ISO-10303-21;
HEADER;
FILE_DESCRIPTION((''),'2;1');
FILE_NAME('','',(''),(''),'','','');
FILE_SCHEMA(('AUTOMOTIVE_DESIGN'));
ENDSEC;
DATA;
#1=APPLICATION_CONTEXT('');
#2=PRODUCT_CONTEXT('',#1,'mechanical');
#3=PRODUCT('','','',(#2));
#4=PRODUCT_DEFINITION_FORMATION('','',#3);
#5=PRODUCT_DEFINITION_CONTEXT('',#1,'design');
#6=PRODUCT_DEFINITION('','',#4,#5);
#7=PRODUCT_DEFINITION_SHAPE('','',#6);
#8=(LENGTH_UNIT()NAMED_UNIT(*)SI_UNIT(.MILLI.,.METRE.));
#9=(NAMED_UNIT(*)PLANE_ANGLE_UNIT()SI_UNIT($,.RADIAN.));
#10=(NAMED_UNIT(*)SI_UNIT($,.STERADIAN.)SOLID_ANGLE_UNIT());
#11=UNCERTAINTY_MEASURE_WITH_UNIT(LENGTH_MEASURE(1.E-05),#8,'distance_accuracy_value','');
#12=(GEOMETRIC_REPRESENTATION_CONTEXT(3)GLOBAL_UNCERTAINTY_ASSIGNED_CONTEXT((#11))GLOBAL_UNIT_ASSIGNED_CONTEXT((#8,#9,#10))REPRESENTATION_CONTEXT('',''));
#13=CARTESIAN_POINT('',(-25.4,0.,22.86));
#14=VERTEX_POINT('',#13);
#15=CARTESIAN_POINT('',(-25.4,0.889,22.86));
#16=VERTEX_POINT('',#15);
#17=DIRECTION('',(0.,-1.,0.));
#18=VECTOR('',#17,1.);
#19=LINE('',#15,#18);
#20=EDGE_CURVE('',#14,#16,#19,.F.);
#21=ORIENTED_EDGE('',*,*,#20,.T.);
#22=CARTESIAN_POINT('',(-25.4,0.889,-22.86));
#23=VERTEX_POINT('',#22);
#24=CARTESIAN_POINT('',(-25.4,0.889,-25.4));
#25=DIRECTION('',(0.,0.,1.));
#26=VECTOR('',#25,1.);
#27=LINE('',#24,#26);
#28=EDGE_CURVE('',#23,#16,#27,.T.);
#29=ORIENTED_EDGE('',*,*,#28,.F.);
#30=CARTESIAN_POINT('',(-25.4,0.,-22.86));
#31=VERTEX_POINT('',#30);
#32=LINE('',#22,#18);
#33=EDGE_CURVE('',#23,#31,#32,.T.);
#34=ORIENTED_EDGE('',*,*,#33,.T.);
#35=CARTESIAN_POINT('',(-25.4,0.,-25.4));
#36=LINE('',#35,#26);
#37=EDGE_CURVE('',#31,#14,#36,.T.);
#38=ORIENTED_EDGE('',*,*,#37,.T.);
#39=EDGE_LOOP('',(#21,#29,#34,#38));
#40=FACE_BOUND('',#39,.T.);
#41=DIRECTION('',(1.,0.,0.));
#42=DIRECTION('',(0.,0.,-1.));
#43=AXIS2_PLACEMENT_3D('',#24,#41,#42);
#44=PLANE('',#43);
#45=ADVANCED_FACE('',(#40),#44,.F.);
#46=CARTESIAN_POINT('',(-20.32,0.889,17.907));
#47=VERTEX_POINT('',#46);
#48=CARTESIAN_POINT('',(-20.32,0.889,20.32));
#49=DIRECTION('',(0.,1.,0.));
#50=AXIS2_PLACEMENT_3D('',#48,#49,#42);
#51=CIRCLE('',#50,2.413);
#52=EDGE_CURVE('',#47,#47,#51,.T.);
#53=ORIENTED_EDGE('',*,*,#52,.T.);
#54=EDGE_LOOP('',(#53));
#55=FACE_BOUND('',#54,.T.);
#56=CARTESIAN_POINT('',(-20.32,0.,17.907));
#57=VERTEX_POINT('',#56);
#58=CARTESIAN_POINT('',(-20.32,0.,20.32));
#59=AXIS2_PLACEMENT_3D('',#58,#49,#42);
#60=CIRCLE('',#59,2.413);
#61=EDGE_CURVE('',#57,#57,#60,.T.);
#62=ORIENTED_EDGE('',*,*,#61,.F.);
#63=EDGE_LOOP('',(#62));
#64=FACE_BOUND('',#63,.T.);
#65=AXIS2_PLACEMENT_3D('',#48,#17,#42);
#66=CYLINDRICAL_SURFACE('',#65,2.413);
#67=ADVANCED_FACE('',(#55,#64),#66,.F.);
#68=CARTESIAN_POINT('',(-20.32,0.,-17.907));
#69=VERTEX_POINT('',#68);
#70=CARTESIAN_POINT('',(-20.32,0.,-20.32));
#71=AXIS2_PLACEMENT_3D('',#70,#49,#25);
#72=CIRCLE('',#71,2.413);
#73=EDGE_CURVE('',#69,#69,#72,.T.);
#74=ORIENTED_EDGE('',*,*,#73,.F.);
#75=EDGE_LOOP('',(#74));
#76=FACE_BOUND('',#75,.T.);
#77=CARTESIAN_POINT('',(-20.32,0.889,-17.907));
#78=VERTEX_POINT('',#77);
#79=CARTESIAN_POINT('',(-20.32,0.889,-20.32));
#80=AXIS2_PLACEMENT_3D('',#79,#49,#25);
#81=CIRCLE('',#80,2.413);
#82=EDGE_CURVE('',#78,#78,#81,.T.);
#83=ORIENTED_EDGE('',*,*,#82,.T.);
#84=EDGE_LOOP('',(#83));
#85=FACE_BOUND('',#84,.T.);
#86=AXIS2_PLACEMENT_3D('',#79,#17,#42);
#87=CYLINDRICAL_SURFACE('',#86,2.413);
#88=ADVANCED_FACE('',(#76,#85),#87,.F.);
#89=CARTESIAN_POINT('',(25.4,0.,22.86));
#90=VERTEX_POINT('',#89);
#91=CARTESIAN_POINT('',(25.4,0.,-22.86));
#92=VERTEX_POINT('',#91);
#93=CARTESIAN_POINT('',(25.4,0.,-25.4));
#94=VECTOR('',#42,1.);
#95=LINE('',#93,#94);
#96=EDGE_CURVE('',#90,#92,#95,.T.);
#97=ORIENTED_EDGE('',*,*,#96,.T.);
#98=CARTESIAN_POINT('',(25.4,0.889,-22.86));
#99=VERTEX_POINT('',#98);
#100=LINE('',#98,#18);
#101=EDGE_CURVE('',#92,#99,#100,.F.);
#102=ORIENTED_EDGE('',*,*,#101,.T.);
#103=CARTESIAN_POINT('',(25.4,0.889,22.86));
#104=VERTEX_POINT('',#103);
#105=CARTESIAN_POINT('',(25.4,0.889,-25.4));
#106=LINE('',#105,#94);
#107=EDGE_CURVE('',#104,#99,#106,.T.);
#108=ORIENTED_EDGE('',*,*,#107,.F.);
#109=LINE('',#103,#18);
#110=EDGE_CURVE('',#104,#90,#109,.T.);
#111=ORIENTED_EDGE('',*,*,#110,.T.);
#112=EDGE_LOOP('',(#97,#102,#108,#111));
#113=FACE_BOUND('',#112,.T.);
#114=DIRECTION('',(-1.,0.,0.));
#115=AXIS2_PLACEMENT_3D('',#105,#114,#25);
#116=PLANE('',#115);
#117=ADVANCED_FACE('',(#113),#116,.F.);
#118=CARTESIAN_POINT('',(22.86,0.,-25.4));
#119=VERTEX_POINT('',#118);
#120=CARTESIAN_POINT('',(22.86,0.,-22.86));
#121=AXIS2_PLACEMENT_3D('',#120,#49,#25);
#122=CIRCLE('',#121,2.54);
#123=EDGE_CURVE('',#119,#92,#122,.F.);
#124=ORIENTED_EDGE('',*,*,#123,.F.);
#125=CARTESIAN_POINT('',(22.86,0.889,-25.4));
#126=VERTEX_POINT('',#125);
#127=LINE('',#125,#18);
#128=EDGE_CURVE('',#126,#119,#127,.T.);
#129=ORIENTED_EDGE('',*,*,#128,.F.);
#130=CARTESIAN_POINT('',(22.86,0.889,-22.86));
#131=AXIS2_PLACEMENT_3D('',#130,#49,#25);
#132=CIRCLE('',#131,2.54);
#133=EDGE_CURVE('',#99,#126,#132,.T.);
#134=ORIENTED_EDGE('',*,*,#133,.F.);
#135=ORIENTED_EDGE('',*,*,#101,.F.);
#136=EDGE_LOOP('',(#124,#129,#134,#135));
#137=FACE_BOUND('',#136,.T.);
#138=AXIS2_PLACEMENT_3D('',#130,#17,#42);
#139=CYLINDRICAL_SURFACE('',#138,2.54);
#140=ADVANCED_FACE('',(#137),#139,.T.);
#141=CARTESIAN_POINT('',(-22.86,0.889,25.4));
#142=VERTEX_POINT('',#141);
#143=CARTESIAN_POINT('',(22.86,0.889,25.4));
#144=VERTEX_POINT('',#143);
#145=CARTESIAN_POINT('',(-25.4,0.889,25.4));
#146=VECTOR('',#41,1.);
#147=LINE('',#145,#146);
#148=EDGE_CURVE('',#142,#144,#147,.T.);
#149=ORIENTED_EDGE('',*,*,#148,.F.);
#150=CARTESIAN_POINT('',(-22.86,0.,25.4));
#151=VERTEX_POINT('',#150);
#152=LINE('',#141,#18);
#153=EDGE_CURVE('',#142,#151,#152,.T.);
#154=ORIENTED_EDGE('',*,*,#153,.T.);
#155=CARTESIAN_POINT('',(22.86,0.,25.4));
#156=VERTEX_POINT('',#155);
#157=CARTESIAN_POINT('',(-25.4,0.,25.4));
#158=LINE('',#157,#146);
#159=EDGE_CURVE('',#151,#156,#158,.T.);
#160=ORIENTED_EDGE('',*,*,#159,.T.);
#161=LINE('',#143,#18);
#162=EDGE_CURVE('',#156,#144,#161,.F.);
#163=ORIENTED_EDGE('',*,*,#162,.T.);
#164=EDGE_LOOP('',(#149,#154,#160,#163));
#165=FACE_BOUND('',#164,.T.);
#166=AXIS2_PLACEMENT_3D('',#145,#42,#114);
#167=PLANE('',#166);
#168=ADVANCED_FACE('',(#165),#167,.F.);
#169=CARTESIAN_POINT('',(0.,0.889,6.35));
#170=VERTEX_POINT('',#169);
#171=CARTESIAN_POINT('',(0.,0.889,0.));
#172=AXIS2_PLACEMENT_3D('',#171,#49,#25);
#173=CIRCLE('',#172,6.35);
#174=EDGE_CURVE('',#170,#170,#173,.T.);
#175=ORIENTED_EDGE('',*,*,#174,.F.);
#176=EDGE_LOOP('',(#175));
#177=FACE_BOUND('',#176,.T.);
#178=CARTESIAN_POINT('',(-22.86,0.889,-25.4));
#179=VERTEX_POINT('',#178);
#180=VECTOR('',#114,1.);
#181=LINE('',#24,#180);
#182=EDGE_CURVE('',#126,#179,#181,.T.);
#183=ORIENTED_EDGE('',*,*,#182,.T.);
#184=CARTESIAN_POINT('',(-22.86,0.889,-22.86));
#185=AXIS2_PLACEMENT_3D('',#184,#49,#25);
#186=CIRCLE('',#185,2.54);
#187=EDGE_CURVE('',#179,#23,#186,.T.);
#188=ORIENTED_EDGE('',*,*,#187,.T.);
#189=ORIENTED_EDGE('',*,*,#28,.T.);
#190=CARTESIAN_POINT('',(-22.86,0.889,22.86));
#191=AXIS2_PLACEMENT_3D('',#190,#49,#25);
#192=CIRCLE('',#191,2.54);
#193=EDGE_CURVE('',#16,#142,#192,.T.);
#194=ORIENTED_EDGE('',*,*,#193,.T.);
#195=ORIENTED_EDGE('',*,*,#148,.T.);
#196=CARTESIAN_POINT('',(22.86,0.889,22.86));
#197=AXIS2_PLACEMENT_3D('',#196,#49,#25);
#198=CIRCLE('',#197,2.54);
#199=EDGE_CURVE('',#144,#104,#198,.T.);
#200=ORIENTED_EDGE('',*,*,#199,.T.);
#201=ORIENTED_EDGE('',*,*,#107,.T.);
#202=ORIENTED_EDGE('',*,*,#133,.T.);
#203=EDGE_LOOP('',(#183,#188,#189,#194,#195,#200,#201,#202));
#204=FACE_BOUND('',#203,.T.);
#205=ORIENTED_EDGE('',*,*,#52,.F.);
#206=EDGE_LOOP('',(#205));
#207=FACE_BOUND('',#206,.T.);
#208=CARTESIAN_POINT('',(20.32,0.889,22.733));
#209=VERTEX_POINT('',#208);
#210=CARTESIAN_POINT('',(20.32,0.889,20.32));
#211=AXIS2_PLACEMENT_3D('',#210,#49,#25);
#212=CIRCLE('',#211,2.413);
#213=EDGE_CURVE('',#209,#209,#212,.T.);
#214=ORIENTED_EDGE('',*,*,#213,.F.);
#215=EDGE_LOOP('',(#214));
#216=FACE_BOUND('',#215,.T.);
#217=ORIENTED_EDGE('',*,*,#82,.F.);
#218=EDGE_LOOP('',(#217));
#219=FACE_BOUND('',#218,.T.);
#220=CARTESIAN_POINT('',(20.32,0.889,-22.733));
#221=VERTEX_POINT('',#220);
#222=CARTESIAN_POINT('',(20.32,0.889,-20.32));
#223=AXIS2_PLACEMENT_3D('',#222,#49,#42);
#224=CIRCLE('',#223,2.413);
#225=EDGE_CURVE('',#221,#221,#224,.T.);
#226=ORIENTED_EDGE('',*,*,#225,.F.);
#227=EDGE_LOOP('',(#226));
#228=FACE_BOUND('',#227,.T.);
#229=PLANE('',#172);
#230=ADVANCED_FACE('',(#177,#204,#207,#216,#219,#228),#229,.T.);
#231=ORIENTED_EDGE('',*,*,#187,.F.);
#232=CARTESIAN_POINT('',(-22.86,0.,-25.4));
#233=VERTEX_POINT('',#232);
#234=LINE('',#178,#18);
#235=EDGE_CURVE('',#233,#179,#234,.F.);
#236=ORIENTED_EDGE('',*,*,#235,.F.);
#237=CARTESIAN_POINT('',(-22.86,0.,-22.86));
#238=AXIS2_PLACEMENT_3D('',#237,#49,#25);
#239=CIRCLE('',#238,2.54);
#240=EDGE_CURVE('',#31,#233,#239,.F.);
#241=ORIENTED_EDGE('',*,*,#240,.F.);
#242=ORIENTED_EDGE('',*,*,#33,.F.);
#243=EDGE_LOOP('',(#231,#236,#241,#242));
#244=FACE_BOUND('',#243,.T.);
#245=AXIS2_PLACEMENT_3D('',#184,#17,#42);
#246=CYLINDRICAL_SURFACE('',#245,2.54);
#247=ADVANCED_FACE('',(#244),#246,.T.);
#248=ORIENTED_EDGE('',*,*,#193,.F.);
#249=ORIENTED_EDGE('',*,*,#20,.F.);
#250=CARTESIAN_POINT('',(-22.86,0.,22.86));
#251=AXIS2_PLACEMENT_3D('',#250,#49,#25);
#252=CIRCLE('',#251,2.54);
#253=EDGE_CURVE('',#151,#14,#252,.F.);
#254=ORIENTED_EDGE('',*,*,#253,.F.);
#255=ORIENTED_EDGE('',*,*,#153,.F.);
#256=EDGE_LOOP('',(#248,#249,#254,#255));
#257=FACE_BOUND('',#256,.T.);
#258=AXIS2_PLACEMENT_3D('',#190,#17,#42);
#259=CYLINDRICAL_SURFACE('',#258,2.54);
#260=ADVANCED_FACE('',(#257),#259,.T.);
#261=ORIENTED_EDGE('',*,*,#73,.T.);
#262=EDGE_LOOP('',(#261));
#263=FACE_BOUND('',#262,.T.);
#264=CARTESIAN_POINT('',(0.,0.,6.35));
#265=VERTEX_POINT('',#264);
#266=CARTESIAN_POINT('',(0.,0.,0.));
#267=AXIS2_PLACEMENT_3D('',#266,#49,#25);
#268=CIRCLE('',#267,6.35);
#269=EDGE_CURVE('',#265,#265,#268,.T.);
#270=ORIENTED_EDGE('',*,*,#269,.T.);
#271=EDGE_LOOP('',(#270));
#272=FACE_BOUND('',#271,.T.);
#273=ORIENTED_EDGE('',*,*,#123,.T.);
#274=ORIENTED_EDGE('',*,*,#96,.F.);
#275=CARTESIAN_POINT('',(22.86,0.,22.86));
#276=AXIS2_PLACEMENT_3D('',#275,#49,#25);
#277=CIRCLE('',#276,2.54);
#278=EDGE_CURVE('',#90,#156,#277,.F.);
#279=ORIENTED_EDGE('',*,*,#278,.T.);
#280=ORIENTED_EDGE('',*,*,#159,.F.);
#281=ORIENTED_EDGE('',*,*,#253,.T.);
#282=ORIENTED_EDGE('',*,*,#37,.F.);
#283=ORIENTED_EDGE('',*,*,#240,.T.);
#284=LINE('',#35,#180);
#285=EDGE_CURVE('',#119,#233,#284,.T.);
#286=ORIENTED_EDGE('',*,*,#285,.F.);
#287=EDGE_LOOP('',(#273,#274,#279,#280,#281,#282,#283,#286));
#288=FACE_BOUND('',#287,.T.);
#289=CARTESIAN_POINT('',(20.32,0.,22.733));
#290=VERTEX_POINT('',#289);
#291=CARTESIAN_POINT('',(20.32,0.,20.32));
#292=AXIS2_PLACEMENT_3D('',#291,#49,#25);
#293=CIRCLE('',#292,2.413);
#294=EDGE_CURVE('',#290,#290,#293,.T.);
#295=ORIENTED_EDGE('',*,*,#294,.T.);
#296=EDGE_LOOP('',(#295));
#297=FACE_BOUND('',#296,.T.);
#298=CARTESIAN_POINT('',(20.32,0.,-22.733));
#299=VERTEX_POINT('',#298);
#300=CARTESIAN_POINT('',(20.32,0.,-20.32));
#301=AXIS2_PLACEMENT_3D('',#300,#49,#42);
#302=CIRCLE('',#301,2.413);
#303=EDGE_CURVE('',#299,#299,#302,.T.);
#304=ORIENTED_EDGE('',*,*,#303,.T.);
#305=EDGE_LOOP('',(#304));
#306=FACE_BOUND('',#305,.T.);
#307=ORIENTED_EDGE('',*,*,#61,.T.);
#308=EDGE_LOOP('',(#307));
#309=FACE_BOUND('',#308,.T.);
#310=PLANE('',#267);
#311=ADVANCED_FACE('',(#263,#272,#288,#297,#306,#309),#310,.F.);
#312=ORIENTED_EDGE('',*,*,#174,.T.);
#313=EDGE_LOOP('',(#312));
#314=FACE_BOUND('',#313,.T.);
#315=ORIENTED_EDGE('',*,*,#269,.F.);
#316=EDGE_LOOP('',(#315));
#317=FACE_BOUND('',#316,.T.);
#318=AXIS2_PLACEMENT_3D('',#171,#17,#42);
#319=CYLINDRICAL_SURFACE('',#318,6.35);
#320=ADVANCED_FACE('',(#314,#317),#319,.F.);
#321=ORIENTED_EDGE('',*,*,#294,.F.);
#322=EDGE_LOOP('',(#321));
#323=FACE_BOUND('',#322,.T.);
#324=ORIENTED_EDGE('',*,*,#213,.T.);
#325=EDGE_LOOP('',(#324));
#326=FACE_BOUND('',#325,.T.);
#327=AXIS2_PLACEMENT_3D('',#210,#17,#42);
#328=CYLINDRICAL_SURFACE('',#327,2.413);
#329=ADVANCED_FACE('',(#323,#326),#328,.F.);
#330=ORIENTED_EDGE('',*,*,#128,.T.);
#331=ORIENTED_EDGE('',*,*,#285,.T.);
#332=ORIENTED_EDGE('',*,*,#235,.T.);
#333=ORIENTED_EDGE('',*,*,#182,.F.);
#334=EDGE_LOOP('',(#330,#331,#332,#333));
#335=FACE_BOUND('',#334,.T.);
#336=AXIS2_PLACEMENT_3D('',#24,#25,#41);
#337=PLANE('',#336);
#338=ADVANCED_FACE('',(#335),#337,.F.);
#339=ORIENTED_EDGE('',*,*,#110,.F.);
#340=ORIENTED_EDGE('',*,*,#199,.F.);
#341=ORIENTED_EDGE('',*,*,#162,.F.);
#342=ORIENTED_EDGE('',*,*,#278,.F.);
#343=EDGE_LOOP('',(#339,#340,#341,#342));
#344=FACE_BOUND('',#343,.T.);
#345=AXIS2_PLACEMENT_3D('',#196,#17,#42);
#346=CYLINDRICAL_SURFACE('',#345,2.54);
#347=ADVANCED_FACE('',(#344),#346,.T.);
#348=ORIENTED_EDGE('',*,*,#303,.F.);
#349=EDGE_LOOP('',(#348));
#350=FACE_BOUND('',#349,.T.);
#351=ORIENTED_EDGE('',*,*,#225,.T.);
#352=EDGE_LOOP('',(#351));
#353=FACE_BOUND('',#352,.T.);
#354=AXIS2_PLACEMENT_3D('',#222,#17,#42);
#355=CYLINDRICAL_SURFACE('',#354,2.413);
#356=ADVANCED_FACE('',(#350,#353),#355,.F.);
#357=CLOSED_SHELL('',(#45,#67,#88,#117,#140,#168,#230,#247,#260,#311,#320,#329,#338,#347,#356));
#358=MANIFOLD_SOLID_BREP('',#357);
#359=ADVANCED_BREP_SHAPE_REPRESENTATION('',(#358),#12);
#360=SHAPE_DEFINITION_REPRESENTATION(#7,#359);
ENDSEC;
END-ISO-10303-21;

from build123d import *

# Parameters (mm, degrees)
SKETCH1_W           = 50.8
SKETCH1_H           = 50.8
SKETCH1_R           = 6.35
SKETCH1_R_2         = 2.413
BOSS_EXTRUDE1_DEPTH = 0.889
FILLET1_R           = 2.54


with BuildPart() as part:
    # Sketch1 → Boss-Extrude1 (new body)
    with BuildSketch(Plane(origin=(0, 0, 0), x_dir=(1, 0, 0), z_dir=(0, 1, 0))):
        Rectangle(SKETCH1_W, SKETCH1_H)
        Circle(SKETCH1_R, mode=Mode.SUBTRACT)
        with Locations((-20.32, 20.32)):
            Circle(SKETCH1_R_2, mode=Mode.SUBTRACT)
        with Locations((-20.32, -20.32)):
            Circle(SKETCH1_R_2, mode=Mode.SUBTRACT)
        with Locations((20.32, -20.32)):
            Circle(SKETCH1_R_2, mode=Mode.SUBTRACT)
        with Locations((20.32, 20.32)):
            Circle(SKETCH1_R_2, mode=Mode.SUBTRACT)
    extrude(amount=BOSS_EXTRUDE1_DEPTH)

    # Fillet1
    fillet1_edges = [part.edges().sort_by_distance(p)[0] for p in [
        (-25.4, 0.4445, -25.4),
        (25.4, 0.4445, -25.4),
        (25.4, 0.4445, 25.4),
        (-25.4, 0.4445, 25.4),
    ]]
    fillet(fillet1_edges, radius=FILLET1_R)


solid = part.part
